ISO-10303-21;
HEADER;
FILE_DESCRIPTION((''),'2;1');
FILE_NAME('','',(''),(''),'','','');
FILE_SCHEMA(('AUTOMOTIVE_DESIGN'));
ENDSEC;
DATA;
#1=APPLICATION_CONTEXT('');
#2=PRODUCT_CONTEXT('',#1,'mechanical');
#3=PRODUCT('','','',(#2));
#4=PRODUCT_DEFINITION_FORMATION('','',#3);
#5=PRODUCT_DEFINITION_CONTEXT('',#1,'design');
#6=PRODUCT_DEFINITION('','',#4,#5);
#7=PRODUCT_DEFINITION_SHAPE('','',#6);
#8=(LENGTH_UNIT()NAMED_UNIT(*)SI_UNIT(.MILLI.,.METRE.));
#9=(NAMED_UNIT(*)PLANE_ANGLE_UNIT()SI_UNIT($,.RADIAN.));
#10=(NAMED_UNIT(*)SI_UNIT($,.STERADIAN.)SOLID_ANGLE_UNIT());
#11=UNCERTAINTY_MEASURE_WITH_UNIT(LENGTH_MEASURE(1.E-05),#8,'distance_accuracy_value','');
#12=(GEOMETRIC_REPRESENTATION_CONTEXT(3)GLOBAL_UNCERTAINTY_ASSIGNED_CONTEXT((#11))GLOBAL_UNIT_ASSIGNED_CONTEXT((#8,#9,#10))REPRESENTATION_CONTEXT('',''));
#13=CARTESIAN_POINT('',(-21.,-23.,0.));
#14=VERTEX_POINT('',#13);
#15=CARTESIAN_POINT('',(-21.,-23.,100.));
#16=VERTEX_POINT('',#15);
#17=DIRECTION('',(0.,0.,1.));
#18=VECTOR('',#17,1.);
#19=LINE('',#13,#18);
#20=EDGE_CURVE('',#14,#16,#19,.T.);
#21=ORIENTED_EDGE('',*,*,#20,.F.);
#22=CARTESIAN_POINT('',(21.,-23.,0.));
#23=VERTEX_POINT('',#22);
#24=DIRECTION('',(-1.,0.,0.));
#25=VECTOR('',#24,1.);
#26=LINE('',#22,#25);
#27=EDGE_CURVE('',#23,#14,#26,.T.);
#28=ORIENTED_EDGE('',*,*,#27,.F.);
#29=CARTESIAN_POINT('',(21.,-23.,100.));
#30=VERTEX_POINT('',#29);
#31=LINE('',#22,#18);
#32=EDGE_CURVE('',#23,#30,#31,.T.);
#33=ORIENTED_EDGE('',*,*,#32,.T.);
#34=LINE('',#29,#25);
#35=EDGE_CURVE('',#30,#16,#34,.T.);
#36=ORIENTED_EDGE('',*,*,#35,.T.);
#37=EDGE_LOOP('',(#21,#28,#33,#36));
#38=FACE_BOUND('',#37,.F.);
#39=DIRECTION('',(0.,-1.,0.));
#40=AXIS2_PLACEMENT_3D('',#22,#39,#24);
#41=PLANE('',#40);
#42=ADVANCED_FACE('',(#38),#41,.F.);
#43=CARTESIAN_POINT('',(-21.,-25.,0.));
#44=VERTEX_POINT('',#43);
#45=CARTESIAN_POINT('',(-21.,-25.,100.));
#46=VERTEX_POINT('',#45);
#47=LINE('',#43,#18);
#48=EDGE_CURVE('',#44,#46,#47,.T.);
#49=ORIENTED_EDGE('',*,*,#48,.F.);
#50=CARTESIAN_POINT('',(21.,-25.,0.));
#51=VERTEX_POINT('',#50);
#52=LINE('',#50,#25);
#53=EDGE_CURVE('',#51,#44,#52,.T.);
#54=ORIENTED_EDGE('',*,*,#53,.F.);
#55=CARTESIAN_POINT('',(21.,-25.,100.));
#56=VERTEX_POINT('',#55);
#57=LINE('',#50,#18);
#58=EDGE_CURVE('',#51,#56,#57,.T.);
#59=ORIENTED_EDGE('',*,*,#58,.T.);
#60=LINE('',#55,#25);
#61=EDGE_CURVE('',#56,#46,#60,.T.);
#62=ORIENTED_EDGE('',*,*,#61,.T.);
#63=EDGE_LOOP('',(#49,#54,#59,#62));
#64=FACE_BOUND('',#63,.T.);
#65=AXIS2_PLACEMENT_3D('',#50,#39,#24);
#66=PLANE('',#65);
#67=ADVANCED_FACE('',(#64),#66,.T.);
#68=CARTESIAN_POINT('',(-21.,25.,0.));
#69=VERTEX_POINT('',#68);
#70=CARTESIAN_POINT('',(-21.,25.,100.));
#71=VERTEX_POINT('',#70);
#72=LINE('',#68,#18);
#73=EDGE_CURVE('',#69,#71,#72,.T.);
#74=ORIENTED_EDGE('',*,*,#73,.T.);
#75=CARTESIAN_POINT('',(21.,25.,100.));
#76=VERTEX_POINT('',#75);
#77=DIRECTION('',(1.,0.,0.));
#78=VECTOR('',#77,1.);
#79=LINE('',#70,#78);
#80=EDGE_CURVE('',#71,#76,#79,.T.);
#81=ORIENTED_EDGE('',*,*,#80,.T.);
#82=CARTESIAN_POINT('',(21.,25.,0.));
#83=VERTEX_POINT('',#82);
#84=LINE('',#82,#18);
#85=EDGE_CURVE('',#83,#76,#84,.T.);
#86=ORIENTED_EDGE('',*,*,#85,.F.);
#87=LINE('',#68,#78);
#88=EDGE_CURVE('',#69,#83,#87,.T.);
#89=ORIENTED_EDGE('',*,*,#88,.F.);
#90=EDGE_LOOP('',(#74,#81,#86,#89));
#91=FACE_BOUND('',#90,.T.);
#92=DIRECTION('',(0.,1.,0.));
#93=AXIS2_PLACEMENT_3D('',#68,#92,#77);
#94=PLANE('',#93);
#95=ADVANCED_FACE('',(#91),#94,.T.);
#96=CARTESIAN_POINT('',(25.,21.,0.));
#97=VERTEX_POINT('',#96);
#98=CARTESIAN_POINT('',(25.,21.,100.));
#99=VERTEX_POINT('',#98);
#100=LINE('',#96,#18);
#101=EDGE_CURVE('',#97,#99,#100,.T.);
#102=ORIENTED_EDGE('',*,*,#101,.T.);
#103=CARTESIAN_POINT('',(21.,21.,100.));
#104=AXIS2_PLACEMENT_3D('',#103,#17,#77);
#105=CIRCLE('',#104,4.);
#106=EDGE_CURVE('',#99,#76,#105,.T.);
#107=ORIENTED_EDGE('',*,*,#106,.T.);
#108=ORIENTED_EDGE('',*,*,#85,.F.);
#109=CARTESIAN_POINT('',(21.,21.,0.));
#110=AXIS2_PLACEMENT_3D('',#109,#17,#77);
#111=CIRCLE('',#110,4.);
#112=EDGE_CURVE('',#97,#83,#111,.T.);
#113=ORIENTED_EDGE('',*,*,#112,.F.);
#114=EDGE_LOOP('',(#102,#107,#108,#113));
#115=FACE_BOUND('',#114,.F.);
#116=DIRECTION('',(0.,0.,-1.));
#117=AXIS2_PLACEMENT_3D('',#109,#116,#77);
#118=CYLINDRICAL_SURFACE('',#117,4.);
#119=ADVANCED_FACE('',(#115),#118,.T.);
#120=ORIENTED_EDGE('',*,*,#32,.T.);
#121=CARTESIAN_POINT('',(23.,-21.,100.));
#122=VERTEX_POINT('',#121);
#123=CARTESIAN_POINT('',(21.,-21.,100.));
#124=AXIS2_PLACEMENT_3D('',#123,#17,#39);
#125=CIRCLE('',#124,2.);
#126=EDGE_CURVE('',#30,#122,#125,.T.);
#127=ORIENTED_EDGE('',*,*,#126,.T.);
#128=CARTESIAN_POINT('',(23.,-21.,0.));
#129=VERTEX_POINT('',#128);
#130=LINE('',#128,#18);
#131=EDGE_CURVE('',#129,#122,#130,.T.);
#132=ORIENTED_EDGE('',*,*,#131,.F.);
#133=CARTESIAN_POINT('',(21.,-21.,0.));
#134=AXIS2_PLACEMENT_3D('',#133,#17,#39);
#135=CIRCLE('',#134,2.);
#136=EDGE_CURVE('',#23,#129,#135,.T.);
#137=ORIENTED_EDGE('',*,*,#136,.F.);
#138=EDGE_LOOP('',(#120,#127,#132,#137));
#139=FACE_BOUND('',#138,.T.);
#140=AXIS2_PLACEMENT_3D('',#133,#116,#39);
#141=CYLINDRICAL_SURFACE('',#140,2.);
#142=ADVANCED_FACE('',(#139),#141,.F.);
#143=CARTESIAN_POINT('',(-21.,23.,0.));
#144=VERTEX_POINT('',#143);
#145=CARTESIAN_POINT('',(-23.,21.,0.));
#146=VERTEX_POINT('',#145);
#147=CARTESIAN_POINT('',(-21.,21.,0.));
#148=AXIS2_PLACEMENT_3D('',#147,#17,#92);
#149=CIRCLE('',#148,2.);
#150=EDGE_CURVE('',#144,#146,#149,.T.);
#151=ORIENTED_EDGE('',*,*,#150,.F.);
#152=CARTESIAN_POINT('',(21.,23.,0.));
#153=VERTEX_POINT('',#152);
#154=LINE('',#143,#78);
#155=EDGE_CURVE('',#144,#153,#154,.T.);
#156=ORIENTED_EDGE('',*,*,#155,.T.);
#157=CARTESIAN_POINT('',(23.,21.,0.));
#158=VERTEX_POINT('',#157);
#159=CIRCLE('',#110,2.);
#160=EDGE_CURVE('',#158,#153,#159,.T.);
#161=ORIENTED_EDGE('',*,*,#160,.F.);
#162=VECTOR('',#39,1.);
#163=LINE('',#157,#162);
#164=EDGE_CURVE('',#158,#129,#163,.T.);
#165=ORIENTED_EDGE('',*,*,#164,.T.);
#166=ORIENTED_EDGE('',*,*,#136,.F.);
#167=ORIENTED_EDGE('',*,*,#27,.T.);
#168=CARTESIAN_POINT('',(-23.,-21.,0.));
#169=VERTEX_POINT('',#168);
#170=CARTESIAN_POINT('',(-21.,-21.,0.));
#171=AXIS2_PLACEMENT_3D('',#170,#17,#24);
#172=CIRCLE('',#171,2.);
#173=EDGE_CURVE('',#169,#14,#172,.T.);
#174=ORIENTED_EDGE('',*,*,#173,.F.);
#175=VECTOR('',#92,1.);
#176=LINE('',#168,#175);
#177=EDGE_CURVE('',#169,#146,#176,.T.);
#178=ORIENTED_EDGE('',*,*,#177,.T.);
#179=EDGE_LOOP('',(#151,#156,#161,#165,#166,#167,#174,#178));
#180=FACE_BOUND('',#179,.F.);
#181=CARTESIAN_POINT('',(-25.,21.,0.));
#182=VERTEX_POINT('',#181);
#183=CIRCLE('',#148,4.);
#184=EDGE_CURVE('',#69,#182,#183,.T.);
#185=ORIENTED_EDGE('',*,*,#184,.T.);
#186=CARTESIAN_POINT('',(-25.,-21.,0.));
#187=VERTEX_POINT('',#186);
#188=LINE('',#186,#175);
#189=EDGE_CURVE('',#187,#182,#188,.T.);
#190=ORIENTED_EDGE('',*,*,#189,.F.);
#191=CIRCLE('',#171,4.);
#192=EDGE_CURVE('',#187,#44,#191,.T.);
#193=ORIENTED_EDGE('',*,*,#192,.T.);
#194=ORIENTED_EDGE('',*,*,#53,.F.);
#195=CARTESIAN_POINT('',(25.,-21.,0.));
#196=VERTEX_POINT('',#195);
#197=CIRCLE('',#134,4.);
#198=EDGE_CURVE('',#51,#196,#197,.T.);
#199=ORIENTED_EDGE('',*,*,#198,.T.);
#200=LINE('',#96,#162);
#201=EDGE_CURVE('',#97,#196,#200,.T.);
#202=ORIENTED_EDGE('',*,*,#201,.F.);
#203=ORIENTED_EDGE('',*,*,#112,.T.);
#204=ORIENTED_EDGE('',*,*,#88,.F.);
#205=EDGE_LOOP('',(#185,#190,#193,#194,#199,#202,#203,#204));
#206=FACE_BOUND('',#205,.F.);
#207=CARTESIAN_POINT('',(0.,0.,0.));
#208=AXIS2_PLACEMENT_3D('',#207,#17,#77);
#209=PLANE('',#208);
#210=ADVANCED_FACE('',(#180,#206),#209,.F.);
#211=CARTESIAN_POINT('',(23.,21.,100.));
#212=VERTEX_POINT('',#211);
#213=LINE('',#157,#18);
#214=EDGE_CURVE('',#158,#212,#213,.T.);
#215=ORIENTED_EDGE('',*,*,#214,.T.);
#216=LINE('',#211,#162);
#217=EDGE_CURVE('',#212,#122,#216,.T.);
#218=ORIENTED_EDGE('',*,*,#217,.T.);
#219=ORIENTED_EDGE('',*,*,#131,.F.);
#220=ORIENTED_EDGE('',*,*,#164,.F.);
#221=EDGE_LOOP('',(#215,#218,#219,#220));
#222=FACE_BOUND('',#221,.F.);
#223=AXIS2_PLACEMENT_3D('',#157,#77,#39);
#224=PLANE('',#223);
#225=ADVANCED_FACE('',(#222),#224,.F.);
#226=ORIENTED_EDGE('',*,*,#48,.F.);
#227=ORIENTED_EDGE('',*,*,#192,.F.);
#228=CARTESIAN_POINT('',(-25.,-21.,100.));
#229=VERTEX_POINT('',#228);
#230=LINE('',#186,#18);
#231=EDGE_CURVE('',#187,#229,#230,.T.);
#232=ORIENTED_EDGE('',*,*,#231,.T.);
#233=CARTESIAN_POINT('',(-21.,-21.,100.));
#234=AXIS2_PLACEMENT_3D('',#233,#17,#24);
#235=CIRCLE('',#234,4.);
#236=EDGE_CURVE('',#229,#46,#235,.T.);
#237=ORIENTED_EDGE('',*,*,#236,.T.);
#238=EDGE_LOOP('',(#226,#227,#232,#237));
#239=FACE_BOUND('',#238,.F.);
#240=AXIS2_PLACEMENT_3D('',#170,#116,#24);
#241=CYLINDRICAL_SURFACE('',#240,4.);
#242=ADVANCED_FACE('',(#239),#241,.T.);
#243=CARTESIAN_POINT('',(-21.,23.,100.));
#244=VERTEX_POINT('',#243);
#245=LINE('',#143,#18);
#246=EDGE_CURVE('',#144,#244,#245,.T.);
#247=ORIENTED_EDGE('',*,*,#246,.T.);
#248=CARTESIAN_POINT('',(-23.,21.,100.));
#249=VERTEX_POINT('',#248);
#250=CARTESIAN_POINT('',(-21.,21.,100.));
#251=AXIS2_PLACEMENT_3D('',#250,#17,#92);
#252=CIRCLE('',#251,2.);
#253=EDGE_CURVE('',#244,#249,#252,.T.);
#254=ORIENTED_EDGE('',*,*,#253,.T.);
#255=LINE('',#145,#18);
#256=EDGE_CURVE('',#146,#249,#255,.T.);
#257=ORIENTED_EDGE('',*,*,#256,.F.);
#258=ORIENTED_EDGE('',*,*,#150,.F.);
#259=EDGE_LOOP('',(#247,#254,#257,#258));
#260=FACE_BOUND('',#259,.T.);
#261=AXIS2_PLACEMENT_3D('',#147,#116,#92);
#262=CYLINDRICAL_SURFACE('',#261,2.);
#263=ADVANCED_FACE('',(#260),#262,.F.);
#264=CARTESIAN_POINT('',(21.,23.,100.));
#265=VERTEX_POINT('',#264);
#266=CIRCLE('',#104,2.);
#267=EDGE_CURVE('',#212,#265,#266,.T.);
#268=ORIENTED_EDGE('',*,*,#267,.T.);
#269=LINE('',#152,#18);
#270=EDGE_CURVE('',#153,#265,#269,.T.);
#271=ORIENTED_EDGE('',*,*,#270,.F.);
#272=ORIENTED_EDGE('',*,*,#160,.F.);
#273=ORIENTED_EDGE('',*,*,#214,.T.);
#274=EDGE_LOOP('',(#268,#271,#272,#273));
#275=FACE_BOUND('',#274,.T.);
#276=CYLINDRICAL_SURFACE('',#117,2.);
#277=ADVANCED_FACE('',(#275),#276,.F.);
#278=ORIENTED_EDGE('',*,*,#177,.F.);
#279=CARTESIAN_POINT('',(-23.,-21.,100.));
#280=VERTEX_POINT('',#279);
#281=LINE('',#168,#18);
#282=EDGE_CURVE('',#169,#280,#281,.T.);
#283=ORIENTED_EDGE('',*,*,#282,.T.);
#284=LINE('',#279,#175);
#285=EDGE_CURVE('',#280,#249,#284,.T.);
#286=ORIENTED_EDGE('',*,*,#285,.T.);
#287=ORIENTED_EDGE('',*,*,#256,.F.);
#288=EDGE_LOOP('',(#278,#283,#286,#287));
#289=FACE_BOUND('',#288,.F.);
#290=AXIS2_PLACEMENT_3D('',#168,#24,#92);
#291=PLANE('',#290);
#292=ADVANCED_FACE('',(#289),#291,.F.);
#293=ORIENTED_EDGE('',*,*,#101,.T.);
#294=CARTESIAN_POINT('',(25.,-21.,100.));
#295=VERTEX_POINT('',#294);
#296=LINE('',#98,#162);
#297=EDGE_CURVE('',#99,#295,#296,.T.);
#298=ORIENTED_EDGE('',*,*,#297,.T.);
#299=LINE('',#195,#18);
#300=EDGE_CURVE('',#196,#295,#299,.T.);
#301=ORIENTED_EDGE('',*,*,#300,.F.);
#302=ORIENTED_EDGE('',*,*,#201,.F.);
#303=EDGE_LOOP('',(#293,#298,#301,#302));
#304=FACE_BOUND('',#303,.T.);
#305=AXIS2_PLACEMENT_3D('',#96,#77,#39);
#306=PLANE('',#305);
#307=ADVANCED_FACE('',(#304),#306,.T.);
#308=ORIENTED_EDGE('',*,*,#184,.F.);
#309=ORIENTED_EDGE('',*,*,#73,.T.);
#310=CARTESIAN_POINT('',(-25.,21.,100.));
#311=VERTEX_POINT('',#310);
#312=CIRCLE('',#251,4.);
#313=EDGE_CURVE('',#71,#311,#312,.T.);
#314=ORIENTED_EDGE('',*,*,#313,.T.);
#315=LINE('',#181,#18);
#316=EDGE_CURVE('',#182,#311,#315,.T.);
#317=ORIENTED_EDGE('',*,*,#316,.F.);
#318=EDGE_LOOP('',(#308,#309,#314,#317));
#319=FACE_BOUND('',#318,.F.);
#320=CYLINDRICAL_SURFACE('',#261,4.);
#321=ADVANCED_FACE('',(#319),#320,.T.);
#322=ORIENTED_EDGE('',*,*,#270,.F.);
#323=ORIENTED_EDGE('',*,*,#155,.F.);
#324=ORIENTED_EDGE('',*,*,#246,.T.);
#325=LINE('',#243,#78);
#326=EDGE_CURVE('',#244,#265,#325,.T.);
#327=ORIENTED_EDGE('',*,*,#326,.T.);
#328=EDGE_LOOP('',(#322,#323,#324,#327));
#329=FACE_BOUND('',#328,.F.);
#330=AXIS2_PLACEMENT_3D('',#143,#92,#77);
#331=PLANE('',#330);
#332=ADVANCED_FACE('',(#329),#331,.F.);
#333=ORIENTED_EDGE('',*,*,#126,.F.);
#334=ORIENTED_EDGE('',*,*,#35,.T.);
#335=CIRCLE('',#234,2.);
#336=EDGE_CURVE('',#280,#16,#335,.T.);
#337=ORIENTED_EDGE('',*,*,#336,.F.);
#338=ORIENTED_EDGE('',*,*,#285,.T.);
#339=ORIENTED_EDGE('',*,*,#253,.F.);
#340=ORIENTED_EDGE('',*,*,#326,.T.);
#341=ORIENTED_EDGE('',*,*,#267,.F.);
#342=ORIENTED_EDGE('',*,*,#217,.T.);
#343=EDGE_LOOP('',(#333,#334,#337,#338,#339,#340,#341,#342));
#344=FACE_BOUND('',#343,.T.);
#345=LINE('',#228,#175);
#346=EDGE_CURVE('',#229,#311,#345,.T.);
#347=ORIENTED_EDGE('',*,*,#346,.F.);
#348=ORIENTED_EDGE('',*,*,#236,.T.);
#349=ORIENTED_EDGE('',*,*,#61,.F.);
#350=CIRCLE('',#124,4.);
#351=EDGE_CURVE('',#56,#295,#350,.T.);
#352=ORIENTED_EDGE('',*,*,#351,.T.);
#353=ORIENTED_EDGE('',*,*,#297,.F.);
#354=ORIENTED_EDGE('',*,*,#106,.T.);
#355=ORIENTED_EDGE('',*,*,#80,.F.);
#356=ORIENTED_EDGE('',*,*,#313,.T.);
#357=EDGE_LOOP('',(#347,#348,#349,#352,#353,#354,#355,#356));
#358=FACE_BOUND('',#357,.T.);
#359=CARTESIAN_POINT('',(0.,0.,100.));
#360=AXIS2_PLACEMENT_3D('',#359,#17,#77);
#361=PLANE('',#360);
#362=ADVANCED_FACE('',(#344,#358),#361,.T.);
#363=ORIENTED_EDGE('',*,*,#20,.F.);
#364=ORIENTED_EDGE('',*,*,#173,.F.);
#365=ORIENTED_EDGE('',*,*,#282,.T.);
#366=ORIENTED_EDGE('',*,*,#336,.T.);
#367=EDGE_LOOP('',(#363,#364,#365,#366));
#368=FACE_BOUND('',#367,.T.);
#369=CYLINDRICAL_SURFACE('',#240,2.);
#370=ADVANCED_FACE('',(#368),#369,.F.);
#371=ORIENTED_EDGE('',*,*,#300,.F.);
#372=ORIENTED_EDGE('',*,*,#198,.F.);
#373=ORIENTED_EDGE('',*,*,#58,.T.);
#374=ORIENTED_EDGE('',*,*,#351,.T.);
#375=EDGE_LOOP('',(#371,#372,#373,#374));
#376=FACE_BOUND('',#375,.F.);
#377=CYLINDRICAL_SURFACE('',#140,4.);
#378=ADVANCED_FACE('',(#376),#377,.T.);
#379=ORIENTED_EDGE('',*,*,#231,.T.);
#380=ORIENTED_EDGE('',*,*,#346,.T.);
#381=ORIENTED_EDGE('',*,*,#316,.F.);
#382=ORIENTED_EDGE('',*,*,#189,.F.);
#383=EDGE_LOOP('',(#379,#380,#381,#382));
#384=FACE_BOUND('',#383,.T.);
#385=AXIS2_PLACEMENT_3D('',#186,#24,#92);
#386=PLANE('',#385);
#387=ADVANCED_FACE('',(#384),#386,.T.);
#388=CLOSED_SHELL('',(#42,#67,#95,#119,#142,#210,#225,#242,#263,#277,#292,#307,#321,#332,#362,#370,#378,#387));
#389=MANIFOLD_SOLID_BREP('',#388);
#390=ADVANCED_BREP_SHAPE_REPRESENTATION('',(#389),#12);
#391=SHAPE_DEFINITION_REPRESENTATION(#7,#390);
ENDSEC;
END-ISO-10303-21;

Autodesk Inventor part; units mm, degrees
ref_plane "YZ Plane" through (0, 0, 0) normal (1, 0, 0) x (0, 1, 0)
ref_plane "Start plane" through (0, 0, 0) normal (0, 0, 1) x (1, 0, 0)
ref_plane "End plane" through (0, 0, 100) normal (0, 0, 1) x (1, 0, 0)
sketch "Sketch" plane through (0, 0, 0) normal (0, 0, 1) x (1, 0, 0)
  line L0 (-25, -21) -> (-25, 21)
  line L1 (-21, 25) -> (21, 25)
  line L2 (25, 21) -> (25, -21)
  line L3 (21, -25) -> (-21, -25)
  arc A0 (-25, -21) -> (-21, -25) centre (-21, -21) ccw
  arc A1 (25, 21) -> (21, 25) centre (21, 21) ccw
  arc A2 (-21, 25) -> (-25, 21) centre (-21, 21) ccw
  arc A3 (21, -25) -> (25, -21) centre (21, -21) ccw
  arc A4 (-21, 23) -> (-23, 21) centre (-21, 21) ccw
  line L4 (-21, 23) -> (21, 23)
  arc A5 (23, 21) -> (21, 23) centre (21, 21) ccw
  line L5 (23, 21) -> (23, -21)
  arc A6 (21, -23) -> (23, -21) centre (21, -21) ccw
  line L6 (21, -23) -> (-21, -23)
  arc A7 (-23, -21) -> (-21, -23) centre (-21, -21) ccw
  line L7 (-23, -21) -> (-23, 21)
  line L8 (0, 37.1021) -> (0, -37.1021) construction
  line L9 (-23.1021, 0) -> (23.1021, 0) construction
  dimension "d7" = 4
  dimension "d9" = 50
  dimension "d11" = 50
  dimension "d12" = 2
  dimension "d15" = 25
  dimension "d16" = 25
extrude "Body" add sketch "Sketch" along normal up to surface (100 mm away) from surface at 0
sketch "Sketch3" plane through (0, 0, 0) normal (0, 0, 1) x (1, 0, 0)
  line L0 (0, 0) -> (10, 0)
ref_plane "Work Plane3" through (0, 0, 0) normal (0, -1, 0) x (1, 0, 0)
sketch "Sketch4" plane through (0, 0, 0) normal (0, -1, 0) x (1, 0, 0)
  line L0 (-2, 0) -> (12, 0) projected
  line L1 (-2, 100) -> (12, 100) projected
  dimension "d18" = 100
equation "\"d7\" = G_IR"
equation "\"d9\" = G_W"
equation "\"d11\" = G_H"
equation "\"d12\" = G_T"
equation "\"d15\" = 0.5 * d9"
equation "\"d16\" = 0.5 * d11"
equation "\"d3\" = G_L"
equation "\"G_W\" = 50"
equation "\"G_H\" = 50"
equation "\"G_T\" = 2"
equation "\"G_IR\" = 4"
equation "\"G_L\" = d18"
equation "\"G_OFFSET_START\" = 0"
equation "\"G_OFFSET_END\" = 0"
properties part number "ISO 4019 - 50x50x2 - 100" material "Steel, Mild"
